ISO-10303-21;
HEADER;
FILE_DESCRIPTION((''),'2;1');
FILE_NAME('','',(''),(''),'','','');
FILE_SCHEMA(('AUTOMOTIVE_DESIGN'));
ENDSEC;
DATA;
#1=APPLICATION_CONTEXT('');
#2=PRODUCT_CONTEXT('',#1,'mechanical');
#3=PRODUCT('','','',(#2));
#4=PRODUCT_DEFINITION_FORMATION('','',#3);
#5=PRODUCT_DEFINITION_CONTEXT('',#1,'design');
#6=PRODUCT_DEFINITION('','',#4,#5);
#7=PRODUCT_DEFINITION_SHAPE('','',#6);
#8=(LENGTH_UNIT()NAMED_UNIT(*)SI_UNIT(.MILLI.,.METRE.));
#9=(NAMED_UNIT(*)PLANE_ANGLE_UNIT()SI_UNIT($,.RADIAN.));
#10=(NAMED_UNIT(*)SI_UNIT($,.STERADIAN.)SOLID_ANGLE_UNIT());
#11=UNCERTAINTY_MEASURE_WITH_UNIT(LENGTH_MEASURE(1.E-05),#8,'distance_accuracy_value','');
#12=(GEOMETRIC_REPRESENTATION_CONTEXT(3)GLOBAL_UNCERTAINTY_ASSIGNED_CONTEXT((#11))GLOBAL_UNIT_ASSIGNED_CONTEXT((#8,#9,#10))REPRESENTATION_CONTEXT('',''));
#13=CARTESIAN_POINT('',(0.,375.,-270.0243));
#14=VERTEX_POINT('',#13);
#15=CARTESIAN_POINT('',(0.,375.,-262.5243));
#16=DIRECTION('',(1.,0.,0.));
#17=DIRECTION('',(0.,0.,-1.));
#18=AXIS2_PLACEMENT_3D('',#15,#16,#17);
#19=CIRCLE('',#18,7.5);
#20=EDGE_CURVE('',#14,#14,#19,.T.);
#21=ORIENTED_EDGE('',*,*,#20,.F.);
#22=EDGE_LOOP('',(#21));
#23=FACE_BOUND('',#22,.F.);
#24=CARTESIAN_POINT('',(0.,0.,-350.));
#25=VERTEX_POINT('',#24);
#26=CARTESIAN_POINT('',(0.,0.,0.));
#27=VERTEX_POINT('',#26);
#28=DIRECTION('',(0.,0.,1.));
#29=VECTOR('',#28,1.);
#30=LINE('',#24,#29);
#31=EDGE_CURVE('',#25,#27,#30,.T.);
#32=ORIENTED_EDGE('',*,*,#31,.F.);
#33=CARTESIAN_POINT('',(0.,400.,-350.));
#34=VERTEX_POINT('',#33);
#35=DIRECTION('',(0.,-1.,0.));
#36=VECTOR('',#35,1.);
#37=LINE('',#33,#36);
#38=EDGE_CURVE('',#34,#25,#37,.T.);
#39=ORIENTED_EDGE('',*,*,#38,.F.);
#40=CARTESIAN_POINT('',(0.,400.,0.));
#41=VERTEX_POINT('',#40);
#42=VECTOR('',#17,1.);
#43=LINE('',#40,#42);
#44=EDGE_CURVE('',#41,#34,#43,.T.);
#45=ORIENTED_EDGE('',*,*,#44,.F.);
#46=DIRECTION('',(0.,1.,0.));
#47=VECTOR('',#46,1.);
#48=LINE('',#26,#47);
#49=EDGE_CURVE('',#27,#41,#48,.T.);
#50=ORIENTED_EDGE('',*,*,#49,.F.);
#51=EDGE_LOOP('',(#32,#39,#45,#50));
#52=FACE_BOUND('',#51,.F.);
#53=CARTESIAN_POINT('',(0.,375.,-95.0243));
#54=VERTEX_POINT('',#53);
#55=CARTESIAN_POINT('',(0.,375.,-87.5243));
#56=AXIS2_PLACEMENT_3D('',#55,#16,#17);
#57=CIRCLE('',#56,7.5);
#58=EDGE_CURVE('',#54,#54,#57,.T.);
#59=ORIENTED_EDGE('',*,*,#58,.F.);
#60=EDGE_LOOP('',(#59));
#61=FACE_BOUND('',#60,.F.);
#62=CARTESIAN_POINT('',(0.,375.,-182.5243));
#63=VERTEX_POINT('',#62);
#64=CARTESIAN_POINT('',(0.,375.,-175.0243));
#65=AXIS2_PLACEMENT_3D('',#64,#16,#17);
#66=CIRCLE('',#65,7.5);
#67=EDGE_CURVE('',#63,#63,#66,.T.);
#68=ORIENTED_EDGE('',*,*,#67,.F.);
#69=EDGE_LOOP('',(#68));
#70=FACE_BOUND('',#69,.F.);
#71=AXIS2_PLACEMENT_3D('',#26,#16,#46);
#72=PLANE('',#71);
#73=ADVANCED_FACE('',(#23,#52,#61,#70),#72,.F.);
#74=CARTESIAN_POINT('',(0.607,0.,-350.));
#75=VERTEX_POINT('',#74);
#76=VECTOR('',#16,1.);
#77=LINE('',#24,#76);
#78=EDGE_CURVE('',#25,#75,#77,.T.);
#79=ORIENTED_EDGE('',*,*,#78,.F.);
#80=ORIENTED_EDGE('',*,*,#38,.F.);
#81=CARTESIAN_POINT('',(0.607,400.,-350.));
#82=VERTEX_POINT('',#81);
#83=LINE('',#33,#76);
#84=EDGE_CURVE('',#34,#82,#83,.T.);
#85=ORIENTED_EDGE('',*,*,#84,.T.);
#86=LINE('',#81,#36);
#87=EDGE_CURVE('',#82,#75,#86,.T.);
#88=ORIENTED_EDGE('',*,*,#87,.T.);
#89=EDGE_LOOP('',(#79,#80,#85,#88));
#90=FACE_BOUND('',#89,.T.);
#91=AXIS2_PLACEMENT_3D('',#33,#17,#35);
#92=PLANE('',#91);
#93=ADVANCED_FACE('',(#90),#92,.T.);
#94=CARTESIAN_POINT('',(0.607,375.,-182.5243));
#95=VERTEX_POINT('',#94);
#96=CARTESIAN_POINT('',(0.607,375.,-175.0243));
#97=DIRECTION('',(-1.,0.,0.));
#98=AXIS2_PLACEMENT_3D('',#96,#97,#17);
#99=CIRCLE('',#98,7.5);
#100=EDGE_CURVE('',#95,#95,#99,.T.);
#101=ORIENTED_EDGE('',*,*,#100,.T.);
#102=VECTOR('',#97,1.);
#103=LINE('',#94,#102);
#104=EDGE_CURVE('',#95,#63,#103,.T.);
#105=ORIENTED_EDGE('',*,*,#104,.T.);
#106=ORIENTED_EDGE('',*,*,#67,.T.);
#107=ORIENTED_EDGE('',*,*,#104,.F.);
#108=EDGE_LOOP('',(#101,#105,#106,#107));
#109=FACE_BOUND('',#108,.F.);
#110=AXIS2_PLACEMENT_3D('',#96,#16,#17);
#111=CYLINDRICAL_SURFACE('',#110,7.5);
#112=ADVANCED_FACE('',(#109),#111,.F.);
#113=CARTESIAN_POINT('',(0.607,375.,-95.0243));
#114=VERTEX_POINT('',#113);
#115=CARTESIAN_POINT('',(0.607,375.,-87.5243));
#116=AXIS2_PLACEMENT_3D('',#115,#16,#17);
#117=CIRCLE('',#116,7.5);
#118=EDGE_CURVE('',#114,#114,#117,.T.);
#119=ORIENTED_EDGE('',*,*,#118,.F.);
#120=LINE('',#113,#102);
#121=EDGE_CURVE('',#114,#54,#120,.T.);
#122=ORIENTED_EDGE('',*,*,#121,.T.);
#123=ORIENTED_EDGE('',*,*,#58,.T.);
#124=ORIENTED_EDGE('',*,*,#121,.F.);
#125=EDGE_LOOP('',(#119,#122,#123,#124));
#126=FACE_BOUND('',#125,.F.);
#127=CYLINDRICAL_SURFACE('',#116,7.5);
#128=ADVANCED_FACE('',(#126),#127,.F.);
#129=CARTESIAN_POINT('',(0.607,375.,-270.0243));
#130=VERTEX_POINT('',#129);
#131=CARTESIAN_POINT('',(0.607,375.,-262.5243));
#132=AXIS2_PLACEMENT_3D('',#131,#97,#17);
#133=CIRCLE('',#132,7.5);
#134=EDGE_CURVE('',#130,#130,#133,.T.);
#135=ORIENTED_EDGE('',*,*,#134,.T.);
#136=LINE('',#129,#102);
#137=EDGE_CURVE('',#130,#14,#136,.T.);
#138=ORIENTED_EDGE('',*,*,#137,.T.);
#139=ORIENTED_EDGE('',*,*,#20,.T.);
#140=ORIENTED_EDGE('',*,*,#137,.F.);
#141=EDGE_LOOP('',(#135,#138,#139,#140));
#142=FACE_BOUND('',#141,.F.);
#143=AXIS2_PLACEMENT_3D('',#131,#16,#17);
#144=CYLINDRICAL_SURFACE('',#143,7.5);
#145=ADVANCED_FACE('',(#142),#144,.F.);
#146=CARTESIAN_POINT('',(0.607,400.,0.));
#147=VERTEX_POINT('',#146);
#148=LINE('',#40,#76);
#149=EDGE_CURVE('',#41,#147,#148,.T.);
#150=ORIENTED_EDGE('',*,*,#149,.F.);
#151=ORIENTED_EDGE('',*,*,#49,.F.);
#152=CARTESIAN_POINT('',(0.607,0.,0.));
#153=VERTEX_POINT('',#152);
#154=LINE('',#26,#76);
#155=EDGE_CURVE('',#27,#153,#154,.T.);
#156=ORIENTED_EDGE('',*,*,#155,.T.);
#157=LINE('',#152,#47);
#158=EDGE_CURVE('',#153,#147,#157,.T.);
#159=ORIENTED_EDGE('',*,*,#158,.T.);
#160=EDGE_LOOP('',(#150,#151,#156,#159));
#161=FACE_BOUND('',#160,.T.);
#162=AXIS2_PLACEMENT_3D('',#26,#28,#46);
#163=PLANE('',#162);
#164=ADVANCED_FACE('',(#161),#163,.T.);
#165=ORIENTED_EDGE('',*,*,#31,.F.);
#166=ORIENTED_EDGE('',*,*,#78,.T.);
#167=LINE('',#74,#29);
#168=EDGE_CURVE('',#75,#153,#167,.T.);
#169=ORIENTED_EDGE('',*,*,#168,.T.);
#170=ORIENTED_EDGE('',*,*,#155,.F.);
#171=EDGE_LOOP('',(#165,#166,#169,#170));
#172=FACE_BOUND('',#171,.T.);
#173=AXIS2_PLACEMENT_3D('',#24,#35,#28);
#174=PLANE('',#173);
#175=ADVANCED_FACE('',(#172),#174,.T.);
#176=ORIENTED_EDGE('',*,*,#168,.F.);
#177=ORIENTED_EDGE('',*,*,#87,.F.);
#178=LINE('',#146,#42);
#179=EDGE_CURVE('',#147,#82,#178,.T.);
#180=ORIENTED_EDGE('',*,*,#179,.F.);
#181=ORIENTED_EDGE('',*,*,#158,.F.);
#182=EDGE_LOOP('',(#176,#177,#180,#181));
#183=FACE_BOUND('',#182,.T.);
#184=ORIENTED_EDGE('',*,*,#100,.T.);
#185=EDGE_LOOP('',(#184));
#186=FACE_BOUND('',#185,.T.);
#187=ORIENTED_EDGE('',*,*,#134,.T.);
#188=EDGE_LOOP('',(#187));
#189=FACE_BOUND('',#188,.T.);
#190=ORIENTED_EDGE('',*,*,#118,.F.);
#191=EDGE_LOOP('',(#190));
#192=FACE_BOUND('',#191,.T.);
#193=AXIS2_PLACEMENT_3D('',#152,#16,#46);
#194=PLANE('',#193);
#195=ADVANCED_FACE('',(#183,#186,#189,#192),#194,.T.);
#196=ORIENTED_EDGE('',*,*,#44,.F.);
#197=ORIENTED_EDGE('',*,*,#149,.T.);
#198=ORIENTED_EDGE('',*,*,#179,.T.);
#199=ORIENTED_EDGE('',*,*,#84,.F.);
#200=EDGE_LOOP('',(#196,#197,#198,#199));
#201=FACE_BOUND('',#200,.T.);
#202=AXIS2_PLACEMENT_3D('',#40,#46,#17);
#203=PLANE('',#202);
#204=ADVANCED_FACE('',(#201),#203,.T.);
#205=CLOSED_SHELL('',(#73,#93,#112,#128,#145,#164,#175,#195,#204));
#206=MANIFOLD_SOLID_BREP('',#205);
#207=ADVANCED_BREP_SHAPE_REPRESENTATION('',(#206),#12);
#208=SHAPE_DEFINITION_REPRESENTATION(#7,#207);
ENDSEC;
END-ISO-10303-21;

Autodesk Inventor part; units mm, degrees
ref_plane "YZ Plane" through (0, 0, 0) normal (1, 0, 0) x (0, 1, 0)
ref_plane "XZ Plane" through (0, 0, 0) normal (0, 1, 0) x (-1, 0, 0)
ref_plane "XY Plane" through (0, 0, 0) normal (0, 0, 1) x (1, 0, 0)
sketch "Sketch1" plane through (0, 0, 0) normal (1, 0, 0) x (0, 1, 0)
  line L0 (0, 0) -> (400, 0)
  line L1 (400, 0) -> (400, -350)
  line L2 (400, -350) -> (0, -350)
  line L3 (0, -350) -> (0, 0)
  dimension "d0" = 400
  dimension "d1" = 350
extrude "Extrusion1" add sketch "Sketch1" along normal blind 0.607
sketch "Sketch2" plane through (0.607, 0, 0) normal (1, 0, 0) x (0, 0, -1)
  line L0 (0, 399.8291) -> (174.9999, 400)
  line L1 (350, 400) -> (0, 400) projected
  line L2 (174.9999, 400) -> (175.0243, 375)
  circle A0 centre (175.0243, 375) radius 7.5
  line L3 (175.0243, 375) -> (87.5243, 375)
  line L4 (175.0243, 375) -> (262.5243, 375)
  circle A1 centre (87.5243, 375) radius 7.5
  circle A2 centre (262.5243, 375) radius 7.5
  point P0 (0, 0)
  dimension "d4" = 175
  dimension "d5" = 25
  dimension "d7" = 15
  dimension "d12" = 15
  dimension "d13" = 15
extrude "Extrusion2" cut sketch "Sketch2" against normal through all
equation "\"BendRadius\" = Thickness"
equation "\"BendReliefWidth\" = Thickness"
equation "\"BendReliefDepth\" = 0.5 * Thickness"
equation "\"CornerReliefSize\" = 4 * Thickness"
equation "\"MinimumRemnant\" = 2 * Thickness"
equation "\"TransitionRadius\" = BendRadius"
equation "\"JacobiRadiusSize\" = BendRadius"
equation "\"GapSize\" = Thickness"
equation "\"Thickness\" = 0.607"
properties part number "project Backrestfinal" material "Steel, Galvanized"
